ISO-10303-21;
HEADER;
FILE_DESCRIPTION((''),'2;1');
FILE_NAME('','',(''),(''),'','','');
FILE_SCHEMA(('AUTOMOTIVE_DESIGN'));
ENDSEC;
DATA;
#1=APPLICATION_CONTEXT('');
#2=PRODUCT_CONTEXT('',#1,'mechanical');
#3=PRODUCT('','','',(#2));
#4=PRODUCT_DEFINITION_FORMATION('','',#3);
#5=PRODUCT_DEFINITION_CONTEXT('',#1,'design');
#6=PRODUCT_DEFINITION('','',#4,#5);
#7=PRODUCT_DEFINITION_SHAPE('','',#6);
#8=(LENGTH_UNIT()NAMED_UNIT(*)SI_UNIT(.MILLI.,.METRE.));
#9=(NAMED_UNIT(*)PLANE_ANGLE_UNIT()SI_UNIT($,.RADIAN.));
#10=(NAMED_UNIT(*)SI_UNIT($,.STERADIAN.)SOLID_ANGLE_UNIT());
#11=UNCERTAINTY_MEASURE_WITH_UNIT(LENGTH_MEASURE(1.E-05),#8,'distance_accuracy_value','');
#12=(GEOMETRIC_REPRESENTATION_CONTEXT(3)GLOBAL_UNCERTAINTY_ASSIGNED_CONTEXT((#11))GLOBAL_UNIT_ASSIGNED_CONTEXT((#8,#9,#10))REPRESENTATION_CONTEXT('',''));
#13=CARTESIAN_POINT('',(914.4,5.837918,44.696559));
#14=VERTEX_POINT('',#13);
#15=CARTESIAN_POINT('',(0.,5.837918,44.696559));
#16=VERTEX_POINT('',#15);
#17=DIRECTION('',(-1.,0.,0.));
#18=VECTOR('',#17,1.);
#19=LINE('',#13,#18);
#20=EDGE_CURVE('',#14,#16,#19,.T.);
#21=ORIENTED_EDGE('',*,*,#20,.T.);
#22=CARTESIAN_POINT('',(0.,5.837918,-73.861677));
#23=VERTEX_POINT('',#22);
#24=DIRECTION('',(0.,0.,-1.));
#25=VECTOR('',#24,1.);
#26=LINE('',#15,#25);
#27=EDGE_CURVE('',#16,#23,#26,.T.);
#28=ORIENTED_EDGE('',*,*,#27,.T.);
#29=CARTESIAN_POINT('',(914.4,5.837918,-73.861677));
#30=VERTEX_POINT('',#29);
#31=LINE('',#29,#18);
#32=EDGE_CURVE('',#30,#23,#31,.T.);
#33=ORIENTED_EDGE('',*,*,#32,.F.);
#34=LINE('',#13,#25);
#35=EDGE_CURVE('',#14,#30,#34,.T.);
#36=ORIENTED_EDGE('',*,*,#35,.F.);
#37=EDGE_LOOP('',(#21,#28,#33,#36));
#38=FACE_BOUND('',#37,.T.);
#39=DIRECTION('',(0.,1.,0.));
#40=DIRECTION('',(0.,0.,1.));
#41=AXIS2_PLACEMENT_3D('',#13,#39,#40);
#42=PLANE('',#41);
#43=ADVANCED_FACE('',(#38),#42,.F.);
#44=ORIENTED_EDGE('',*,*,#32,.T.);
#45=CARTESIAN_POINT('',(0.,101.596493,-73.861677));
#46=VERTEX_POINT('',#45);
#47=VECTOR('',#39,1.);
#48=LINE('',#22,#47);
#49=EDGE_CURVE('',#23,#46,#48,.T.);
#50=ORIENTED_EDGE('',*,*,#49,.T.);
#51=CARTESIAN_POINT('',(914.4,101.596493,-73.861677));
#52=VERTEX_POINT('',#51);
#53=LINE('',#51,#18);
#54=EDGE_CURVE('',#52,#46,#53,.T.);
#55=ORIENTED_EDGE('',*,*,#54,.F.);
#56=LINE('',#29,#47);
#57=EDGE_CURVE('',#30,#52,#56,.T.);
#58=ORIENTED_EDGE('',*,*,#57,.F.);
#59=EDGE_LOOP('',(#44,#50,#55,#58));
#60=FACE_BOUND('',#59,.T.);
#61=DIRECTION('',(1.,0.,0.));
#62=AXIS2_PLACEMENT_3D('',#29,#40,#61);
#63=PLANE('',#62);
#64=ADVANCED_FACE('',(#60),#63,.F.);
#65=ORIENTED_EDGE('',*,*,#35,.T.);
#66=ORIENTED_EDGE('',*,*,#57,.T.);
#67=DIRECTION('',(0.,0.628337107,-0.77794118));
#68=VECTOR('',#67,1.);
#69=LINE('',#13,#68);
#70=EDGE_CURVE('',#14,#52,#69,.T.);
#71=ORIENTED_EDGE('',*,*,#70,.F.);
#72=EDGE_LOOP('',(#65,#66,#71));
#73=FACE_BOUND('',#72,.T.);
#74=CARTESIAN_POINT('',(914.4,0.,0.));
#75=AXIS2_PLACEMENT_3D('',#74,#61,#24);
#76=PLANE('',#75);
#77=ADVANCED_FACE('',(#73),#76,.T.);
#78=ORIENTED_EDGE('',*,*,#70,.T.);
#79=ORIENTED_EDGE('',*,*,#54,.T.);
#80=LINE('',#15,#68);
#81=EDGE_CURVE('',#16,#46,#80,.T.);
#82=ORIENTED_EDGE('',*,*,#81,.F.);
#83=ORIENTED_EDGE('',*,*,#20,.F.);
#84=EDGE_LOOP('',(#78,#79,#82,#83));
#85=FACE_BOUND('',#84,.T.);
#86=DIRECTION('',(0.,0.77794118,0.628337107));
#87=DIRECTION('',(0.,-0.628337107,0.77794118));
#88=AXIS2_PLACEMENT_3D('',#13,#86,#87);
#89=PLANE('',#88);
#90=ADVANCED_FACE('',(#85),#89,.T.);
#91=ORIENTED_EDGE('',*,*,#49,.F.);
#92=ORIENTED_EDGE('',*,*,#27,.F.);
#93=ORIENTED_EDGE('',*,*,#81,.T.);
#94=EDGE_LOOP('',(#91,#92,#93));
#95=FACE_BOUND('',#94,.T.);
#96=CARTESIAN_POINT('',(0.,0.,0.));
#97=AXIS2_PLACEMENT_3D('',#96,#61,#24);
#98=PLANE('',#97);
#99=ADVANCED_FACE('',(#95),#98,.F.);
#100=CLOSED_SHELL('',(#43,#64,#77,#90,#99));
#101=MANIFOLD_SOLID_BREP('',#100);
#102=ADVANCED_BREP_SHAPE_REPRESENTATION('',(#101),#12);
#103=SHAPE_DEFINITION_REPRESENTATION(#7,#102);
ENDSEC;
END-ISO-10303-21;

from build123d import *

# Parameters (mm, degrees)
BOSS_EXTRUDE1_DEPTH = 914.4


with BuildPart() as part:
    # Sketch1 → Boss-Extrude1 (new body)
    with BuildSketch(Plane(origin=(0, 0, 0), x_dir=(0, 0, -1), z_dir=(1, 0, 0))):
        Polygon((-44.696558743, 5.837917877), (73.86167712, 101.596492997), (73.86167712, 5.837917877), align=None)
    extrude(amount=BOSS_EXTRUDE1_DEPTH)


solid = part.part
